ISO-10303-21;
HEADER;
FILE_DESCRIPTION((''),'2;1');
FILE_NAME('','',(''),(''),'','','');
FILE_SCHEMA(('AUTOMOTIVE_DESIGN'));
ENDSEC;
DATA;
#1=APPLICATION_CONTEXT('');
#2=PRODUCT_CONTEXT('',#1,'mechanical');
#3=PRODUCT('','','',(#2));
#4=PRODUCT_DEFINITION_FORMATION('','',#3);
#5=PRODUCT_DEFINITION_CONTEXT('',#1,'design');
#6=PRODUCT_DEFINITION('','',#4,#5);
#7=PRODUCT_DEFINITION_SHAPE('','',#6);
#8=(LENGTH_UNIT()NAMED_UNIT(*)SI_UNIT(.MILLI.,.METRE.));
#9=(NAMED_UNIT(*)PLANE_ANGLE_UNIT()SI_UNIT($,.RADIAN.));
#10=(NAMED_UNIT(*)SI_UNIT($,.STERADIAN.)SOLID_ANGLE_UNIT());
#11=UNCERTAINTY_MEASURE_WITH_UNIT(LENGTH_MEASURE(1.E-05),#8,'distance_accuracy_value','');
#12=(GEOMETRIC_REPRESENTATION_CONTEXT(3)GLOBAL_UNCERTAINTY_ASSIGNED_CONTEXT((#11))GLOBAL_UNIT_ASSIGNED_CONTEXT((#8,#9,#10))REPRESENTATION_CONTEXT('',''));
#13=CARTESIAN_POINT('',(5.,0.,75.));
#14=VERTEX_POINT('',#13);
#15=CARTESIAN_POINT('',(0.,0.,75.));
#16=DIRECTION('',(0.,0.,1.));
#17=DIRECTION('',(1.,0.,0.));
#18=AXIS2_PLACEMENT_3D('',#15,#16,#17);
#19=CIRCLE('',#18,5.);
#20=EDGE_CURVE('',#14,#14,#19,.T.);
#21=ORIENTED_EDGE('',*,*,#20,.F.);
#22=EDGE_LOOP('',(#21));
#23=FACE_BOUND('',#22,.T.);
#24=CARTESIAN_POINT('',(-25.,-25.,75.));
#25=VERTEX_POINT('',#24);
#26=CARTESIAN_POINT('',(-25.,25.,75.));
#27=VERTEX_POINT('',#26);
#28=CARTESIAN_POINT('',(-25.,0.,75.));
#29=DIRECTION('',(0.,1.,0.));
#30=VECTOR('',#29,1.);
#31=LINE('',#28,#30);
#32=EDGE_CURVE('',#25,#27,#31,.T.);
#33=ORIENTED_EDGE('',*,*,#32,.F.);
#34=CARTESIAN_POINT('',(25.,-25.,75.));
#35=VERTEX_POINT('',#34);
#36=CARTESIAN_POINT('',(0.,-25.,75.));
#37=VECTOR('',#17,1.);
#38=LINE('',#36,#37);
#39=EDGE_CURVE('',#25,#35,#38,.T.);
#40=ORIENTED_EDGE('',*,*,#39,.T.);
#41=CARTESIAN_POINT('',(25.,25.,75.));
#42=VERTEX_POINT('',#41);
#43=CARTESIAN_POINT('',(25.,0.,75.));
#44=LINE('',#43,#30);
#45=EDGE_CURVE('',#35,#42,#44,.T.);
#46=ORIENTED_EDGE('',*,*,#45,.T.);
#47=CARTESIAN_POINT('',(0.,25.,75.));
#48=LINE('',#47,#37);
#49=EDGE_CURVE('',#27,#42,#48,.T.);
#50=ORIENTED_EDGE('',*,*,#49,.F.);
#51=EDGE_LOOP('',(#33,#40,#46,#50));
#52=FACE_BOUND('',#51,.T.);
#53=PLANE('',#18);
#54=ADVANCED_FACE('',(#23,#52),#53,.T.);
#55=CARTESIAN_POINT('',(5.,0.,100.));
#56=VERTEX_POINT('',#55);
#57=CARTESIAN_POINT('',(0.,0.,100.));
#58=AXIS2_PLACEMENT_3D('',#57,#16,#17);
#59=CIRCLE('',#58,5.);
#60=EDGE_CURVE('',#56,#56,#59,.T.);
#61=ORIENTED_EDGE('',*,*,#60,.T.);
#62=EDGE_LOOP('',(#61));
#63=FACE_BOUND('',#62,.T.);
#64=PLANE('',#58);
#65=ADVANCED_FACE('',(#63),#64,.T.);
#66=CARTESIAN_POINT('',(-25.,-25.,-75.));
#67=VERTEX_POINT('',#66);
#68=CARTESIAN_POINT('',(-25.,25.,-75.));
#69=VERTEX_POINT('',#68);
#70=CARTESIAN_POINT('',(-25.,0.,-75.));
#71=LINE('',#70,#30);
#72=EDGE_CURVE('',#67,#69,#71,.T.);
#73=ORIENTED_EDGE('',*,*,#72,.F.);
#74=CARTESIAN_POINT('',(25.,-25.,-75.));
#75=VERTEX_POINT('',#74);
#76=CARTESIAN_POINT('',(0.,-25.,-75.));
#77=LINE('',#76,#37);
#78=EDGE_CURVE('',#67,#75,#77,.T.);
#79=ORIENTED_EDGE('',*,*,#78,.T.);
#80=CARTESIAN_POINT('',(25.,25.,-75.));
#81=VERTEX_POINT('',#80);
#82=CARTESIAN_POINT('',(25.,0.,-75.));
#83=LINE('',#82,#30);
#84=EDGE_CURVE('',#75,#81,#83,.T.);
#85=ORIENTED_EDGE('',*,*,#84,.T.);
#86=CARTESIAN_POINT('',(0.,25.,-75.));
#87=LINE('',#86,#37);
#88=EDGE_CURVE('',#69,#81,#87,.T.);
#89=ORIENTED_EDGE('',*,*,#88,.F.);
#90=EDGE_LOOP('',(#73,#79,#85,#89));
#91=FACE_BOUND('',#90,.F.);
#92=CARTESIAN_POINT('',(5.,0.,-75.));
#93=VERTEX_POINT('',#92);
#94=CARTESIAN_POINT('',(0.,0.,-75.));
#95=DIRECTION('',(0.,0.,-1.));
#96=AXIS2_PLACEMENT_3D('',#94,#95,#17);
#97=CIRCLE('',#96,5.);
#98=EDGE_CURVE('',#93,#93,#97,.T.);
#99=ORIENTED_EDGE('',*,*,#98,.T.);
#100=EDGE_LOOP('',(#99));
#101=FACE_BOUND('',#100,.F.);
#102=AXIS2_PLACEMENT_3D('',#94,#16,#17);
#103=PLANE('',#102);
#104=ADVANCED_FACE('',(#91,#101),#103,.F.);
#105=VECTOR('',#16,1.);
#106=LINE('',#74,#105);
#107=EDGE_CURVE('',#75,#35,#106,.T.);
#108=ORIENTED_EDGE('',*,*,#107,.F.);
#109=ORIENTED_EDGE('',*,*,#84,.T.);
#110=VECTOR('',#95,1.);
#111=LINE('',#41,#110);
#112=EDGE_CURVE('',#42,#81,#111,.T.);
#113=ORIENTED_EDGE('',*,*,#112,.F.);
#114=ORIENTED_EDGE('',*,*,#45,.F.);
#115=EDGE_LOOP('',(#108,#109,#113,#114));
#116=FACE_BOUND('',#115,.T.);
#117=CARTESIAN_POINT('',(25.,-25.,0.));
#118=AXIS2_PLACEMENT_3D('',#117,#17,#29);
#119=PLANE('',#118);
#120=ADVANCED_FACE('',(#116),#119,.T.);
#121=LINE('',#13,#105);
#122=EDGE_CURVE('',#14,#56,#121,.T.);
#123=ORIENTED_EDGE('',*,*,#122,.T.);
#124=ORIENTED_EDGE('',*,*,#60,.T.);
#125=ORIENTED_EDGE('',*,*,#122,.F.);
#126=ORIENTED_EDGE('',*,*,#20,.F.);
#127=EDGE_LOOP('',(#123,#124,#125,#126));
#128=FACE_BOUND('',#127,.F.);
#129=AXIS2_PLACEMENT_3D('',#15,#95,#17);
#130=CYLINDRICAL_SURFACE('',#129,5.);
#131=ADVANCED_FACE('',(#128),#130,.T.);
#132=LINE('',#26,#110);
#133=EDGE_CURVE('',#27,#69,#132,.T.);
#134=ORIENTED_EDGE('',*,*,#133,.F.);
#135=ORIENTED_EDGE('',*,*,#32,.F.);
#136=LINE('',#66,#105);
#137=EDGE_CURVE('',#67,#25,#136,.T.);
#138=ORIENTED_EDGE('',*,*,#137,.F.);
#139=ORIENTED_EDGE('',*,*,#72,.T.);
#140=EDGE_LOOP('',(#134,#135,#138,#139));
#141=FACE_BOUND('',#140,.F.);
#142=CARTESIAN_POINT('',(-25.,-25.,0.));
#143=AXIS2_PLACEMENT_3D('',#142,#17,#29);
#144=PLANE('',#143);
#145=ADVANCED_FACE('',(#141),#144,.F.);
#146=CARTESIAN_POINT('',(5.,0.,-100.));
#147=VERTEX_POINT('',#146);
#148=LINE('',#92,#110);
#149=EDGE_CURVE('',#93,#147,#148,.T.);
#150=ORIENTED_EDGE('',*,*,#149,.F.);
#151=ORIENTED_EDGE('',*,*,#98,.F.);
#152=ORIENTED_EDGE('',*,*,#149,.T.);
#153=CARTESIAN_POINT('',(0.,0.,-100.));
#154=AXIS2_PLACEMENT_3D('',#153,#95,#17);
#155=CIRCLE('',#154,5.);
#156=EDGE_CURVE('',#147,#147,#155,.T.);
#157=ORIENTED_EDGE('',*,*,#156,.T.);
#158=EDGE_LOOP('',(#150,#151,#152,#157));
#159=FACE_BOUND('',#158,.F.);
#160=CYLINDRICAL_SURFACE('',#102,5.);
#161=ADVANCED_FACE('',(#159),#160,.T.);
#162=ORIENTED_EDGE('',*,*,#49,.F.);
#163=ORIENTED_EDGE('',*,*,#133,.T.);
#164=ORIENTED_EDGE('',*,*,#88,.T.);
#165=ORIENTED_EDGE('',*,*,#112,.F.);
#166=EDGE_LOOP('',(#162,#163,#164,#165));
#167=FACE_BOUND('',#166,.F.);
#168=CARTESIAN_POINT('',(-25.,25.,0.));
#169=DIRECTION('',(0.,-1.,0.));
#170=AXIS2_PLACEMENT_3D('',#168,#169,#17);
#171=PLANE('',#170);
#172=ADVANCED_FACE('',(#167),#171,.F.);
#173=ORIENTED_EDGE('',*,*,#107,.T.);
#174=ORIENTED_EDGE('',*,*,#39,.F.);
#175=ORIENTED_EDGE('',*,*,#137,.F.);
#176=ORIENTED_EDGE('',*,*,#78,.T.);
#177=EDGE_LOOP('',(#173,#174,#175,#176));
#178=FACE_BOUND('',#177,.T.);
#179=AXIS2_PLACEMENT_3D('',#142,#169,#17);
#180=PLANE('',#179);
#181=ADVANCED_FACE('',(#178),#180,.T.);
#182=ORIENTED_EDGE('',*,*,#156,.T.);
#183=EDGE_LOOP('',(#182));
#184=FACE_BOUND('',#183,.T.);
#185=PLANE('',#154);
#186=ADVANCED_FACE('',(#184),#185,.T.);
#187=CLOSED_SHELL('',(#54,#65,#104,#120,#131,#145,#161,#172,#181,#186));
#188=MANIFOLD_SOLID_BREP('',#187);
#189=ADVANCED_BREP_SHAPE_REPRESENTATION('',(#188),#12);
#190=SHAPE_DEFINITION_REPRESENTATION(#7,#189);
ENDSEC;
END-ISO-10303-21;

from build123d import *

# Parameters (mm, degrees)
F0_W     = 50
F0_H     = 50
F1_DEPTH = 75
F2_R     = 5
F3_DEPTH = 25
F4_R     = 5
F5_DEPTH = 25


with BuildPart() as f1:
    # F0 (on Top) → F1 (new body, symmetric)
    with BuildSketch(Plane.XY):
        Rectangle(F0_W, F0_H)
    extrude(amount=F1_DEPTH, both=True)

    # F2 (on face) → F3 (join)
    with BuildSketch(Plane(origin=(0, 0, -75), x_dir=(1, 0, 0), z_dir=(0, 0, -1))):
        Circle(F2_R)
    extrude(amount=F3_DEPTH)

    # F4 (on face) → F5 (join)
    with BuildSketch(Plane.XY.offset(75)):
        Circle(F4_R)
    extrude(amount=F5_DEPTH)


solid = f1.part
